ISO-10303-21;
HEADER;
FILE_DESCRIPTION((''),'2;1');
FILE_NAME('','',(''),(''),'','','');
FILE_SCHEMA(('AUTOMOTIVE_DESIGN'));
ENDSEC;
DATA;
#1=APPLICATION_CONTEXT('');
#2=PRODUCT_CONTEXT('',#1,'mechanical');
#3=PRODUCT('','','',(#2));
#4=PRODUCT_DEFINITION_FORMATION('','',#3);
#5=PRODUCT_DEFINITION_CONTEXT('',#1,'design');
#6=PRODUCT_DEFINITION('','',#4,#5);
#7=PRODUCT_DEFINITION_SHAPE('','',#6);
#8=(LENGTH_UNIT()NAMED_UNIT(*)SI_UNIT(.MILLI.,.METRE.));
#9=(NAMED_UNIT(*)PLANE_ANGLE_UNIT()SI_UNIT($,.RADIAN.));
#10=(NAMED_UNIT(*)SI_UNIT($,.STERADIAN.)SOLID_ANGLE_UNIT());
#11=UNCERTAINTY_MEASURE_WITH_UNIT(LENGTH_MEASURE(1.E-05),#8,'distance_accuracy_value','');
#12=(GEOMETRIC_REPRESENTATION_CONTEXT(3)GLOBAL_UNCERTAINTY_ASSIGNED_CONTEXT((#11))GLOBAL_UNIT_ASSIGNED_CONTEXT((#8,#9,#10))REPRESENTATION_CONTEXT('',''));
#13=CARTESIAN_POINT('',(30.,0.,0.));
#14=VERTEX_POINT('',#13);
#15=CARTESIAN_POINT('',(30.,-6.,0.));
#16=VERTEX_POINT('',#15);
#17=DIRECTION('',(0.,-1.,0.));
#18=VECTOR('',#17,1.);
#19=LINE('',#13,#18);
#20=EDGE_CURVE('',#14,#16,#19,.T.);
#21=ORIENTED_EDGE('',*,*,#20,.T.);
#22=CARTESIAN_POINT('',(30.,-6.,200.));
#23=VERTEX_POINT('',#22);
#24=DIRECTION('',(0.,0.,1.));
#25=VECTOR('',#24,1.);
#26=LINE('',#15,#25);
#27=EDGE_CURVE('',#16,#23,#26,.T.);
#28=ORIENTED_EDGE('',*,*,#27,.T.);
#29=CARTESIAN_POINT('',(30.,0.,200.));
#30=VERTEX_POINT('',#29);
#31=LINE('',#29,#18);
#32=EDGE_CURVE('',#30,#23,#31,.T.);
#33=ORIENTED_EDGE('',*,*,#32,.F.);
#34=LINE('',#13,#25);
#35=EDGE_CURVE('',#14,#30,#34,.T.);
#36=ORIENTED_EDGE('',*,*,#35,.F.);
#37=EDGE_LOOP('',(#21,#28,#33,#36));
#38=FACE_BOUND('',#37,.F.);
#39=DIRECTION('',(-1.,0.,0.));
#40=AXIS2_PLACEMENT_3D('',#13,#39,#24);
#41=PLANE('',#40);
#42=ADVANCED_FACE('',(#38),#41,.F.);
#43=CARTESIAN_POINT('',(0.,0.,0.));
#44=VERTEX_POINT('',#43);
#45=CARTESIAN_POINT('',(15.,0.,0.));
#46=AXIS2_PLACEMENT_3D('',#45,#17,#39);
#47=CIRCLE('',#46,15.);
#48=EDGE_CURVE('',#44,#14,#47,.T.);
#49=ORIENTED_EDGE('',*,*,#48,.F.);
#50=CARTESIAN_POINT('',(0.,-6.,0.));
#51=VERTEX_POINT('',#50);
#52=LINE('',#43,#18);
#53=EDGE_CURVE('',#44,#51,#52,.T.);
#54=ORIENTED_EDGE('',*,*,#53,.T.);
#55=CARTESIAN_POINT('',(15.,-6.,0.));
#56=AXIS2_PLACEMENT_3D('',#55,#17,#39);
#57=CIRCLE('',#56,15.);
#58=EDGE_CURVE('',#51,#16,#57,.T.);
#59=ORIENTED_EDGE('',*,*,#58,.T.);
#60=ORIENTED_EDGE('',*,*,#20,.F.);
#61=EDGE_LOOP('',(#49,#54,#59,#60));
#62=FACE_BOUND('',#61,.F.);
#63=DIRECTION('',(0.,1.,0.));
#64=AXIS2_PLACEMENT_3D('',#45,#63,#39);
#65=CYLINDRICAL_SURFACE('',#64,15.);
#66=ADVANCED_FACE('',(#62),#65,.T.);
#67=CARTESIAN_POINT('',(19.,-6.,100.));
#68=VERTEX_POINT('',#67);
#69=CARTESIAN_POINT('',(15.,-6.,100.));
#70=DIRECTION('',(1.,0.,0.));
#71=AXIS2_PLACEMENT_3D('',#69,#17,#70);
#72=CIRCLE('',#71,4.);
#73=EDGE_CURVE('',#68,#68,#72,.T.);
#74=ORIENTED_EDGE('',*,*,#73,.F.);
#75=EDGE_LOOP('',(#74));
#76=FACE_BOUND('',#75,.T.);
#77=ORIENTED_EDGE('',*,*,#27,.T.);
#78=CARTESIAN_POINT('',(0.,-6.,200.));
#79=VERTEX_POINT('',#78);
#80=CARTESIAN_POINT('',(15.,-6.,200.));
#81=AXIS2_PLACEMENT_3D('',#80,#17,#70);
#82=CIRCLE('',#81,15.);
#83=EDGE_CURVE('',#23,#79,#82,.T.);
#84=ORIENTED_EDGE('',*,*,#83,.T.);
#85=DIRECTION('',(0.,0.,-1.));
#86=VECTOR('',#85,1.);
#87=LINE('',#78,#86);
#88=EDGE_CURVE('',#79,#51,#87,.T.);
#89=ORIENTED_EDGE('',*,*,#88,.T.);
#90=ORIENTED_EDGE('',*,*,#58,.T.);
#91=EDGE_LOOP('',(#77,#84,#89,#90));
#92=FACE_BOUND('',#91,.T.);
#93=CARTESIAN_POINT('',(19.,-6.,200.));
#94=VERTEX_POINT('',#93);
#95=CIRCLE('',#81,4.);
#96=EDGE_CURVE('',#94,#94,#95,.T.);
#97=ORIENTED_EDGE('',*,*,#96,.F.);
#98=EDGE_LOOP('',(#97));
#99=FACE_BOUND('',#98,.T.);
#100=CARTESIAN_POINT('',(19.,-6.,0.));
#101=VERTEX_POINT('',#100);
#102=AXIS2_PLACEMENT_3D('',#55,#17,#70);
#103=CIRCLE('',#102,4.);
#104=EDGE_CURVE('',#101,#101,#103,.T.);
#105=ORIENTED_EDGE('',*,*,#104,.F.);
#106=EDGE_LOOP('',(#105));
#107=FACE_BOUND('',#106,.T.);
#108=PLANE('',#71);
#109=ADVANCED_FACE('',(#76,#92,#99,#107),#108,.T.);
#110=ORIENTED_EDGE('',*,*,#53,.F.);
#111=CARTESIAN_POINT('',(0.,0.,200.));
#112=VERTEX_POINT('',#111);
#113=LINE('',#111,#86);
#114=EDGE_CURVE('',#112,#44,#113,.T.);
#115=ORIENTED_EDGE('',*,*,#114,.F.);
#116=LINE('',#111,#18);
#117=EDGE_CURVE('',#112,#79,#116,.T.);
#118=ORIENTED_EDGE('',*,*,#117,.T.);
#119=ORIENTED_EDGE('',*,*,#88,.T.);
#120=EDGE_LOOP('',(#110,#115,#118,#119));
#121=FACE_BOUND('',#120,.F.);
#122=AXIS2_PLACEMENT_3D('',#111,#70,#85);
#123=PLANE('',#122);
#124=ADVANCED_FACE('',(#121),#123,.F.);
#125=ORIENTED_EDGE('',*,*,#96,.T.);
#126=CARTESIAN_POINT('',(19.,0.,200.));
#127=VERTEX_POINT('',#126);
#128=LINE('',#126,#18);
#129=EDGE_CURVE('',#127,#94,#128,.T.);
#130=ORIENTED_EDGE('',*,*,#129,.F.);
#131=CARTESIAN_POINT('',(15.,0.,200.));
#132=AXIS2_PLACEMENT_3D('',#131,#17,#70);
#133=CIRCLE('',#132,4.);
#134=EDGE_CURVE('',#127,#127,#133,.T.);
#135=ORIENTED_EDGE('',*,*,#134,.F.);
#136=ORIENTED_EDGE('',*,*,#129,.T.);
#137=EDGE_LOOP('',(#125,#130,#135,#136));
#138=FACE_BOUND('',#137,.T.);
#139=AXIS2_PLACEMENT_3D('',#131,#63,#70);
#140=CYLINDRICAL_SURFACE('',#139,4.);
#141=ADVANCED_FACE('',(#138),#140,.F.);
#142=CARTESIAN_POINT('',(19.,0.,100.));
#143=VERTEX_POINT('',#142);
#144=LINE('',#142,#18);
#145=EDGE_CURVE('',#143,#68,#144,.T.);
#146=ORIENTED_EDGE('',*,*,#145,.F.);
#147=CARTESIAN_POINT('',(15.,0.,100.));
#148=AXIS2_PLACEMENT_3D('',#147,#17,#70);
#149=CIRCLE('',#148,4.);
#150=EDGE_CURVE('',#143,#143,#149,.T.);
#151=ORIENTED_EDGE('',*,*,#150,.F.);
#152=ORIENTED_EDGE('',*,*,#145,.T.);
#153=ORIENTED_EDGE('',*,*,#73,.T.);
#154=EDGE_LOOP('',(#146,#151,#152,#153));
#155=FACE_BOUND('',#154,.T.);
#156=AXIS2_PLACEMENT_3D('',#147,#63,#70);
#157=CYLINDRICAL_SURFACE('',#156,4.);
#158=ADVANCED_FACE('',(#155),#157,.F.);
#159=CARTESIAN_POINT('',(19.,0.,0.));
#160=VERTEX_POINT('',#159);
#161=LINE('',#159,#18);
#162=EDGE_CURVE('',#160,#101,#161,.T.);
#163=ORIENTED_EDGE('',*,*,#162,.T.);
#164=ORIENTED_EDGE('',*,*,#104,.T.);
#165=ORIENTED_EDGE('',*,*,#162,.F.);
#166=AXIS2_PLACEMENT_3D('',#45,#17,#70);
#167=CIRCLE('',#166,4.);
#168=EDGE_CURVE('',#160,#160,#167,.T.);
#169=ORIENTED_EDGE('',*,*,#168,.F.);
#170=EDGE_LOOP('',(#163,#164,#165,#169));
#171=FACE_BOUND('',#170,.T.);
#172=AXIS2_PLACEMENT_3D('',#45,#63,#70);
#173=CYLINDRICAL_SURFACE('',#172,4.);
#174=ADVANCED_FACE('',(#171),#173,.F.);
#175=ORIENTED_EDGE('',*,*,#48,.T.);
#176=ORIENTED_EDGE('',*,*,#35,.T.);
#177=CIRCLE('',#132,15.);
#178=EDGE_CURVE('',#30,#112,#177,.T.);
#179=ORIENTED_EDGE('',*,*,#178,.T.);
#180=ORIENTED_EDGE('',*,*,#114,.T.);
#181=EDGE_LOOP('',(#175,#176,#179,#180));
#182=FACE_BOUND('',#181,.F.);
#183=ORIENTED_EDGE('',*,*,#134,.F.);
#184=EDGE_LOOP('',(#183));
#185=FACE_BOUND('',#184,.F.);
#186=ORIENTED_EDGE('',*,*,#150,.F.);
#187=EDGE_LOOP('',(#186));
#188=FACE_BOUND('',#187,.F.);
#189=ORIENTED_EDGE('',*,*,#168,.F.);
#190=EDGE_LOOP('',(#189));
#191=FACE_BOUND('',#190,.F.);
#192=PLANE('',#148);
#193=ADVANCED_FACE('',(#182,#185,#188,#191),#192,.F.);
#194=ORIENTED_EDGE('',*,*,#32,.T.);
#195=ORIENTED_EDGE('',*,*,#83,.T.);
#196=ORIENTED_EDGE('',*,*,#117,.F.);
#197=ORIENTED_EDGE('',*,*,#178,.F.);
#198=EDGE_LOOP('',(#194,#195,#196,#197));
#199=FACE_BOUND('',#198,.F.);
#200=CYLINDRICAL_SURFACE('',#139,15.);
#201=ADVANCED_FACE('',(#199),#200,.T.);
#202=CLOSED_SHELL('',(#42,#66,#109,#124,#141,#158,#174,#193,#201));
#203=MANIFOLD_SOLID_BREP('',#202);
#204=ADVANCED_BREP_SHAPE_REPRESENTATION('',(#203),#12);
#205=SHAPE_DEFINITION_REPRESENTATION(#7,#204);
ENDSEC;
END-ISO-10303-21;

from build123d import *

# Parameters (mm, degrees)
F0_R     = 4
F1_DEPTH = 6


with BuildPart() as f1:
    # F0 (on Front) → F1 (new body)
    with BuildSketch(Plane.XZ):
        with BuildLine():
            ThreePointArc((30, 200), (15, 215), (0, 200))
            Line((0, 200), (0, 0))
            ThreePointArc((0, 0), (15, -15), (30, 0))
            Line((30, 0), (30, 200))
        make_face()
        with Locations((15, 0)):
            Circle(F0_R, mode=Mode.SUBTRACT)
        with Locations((15, 100)):
            Circle(F0_R, mode=Mode.SUBTRACT)
        with Locations((15, 200)):
            Circle(F0_R, mode=Mode.SUBTRACT)
    extrude(amount=F1_DEPTH)


solid = f1.part
